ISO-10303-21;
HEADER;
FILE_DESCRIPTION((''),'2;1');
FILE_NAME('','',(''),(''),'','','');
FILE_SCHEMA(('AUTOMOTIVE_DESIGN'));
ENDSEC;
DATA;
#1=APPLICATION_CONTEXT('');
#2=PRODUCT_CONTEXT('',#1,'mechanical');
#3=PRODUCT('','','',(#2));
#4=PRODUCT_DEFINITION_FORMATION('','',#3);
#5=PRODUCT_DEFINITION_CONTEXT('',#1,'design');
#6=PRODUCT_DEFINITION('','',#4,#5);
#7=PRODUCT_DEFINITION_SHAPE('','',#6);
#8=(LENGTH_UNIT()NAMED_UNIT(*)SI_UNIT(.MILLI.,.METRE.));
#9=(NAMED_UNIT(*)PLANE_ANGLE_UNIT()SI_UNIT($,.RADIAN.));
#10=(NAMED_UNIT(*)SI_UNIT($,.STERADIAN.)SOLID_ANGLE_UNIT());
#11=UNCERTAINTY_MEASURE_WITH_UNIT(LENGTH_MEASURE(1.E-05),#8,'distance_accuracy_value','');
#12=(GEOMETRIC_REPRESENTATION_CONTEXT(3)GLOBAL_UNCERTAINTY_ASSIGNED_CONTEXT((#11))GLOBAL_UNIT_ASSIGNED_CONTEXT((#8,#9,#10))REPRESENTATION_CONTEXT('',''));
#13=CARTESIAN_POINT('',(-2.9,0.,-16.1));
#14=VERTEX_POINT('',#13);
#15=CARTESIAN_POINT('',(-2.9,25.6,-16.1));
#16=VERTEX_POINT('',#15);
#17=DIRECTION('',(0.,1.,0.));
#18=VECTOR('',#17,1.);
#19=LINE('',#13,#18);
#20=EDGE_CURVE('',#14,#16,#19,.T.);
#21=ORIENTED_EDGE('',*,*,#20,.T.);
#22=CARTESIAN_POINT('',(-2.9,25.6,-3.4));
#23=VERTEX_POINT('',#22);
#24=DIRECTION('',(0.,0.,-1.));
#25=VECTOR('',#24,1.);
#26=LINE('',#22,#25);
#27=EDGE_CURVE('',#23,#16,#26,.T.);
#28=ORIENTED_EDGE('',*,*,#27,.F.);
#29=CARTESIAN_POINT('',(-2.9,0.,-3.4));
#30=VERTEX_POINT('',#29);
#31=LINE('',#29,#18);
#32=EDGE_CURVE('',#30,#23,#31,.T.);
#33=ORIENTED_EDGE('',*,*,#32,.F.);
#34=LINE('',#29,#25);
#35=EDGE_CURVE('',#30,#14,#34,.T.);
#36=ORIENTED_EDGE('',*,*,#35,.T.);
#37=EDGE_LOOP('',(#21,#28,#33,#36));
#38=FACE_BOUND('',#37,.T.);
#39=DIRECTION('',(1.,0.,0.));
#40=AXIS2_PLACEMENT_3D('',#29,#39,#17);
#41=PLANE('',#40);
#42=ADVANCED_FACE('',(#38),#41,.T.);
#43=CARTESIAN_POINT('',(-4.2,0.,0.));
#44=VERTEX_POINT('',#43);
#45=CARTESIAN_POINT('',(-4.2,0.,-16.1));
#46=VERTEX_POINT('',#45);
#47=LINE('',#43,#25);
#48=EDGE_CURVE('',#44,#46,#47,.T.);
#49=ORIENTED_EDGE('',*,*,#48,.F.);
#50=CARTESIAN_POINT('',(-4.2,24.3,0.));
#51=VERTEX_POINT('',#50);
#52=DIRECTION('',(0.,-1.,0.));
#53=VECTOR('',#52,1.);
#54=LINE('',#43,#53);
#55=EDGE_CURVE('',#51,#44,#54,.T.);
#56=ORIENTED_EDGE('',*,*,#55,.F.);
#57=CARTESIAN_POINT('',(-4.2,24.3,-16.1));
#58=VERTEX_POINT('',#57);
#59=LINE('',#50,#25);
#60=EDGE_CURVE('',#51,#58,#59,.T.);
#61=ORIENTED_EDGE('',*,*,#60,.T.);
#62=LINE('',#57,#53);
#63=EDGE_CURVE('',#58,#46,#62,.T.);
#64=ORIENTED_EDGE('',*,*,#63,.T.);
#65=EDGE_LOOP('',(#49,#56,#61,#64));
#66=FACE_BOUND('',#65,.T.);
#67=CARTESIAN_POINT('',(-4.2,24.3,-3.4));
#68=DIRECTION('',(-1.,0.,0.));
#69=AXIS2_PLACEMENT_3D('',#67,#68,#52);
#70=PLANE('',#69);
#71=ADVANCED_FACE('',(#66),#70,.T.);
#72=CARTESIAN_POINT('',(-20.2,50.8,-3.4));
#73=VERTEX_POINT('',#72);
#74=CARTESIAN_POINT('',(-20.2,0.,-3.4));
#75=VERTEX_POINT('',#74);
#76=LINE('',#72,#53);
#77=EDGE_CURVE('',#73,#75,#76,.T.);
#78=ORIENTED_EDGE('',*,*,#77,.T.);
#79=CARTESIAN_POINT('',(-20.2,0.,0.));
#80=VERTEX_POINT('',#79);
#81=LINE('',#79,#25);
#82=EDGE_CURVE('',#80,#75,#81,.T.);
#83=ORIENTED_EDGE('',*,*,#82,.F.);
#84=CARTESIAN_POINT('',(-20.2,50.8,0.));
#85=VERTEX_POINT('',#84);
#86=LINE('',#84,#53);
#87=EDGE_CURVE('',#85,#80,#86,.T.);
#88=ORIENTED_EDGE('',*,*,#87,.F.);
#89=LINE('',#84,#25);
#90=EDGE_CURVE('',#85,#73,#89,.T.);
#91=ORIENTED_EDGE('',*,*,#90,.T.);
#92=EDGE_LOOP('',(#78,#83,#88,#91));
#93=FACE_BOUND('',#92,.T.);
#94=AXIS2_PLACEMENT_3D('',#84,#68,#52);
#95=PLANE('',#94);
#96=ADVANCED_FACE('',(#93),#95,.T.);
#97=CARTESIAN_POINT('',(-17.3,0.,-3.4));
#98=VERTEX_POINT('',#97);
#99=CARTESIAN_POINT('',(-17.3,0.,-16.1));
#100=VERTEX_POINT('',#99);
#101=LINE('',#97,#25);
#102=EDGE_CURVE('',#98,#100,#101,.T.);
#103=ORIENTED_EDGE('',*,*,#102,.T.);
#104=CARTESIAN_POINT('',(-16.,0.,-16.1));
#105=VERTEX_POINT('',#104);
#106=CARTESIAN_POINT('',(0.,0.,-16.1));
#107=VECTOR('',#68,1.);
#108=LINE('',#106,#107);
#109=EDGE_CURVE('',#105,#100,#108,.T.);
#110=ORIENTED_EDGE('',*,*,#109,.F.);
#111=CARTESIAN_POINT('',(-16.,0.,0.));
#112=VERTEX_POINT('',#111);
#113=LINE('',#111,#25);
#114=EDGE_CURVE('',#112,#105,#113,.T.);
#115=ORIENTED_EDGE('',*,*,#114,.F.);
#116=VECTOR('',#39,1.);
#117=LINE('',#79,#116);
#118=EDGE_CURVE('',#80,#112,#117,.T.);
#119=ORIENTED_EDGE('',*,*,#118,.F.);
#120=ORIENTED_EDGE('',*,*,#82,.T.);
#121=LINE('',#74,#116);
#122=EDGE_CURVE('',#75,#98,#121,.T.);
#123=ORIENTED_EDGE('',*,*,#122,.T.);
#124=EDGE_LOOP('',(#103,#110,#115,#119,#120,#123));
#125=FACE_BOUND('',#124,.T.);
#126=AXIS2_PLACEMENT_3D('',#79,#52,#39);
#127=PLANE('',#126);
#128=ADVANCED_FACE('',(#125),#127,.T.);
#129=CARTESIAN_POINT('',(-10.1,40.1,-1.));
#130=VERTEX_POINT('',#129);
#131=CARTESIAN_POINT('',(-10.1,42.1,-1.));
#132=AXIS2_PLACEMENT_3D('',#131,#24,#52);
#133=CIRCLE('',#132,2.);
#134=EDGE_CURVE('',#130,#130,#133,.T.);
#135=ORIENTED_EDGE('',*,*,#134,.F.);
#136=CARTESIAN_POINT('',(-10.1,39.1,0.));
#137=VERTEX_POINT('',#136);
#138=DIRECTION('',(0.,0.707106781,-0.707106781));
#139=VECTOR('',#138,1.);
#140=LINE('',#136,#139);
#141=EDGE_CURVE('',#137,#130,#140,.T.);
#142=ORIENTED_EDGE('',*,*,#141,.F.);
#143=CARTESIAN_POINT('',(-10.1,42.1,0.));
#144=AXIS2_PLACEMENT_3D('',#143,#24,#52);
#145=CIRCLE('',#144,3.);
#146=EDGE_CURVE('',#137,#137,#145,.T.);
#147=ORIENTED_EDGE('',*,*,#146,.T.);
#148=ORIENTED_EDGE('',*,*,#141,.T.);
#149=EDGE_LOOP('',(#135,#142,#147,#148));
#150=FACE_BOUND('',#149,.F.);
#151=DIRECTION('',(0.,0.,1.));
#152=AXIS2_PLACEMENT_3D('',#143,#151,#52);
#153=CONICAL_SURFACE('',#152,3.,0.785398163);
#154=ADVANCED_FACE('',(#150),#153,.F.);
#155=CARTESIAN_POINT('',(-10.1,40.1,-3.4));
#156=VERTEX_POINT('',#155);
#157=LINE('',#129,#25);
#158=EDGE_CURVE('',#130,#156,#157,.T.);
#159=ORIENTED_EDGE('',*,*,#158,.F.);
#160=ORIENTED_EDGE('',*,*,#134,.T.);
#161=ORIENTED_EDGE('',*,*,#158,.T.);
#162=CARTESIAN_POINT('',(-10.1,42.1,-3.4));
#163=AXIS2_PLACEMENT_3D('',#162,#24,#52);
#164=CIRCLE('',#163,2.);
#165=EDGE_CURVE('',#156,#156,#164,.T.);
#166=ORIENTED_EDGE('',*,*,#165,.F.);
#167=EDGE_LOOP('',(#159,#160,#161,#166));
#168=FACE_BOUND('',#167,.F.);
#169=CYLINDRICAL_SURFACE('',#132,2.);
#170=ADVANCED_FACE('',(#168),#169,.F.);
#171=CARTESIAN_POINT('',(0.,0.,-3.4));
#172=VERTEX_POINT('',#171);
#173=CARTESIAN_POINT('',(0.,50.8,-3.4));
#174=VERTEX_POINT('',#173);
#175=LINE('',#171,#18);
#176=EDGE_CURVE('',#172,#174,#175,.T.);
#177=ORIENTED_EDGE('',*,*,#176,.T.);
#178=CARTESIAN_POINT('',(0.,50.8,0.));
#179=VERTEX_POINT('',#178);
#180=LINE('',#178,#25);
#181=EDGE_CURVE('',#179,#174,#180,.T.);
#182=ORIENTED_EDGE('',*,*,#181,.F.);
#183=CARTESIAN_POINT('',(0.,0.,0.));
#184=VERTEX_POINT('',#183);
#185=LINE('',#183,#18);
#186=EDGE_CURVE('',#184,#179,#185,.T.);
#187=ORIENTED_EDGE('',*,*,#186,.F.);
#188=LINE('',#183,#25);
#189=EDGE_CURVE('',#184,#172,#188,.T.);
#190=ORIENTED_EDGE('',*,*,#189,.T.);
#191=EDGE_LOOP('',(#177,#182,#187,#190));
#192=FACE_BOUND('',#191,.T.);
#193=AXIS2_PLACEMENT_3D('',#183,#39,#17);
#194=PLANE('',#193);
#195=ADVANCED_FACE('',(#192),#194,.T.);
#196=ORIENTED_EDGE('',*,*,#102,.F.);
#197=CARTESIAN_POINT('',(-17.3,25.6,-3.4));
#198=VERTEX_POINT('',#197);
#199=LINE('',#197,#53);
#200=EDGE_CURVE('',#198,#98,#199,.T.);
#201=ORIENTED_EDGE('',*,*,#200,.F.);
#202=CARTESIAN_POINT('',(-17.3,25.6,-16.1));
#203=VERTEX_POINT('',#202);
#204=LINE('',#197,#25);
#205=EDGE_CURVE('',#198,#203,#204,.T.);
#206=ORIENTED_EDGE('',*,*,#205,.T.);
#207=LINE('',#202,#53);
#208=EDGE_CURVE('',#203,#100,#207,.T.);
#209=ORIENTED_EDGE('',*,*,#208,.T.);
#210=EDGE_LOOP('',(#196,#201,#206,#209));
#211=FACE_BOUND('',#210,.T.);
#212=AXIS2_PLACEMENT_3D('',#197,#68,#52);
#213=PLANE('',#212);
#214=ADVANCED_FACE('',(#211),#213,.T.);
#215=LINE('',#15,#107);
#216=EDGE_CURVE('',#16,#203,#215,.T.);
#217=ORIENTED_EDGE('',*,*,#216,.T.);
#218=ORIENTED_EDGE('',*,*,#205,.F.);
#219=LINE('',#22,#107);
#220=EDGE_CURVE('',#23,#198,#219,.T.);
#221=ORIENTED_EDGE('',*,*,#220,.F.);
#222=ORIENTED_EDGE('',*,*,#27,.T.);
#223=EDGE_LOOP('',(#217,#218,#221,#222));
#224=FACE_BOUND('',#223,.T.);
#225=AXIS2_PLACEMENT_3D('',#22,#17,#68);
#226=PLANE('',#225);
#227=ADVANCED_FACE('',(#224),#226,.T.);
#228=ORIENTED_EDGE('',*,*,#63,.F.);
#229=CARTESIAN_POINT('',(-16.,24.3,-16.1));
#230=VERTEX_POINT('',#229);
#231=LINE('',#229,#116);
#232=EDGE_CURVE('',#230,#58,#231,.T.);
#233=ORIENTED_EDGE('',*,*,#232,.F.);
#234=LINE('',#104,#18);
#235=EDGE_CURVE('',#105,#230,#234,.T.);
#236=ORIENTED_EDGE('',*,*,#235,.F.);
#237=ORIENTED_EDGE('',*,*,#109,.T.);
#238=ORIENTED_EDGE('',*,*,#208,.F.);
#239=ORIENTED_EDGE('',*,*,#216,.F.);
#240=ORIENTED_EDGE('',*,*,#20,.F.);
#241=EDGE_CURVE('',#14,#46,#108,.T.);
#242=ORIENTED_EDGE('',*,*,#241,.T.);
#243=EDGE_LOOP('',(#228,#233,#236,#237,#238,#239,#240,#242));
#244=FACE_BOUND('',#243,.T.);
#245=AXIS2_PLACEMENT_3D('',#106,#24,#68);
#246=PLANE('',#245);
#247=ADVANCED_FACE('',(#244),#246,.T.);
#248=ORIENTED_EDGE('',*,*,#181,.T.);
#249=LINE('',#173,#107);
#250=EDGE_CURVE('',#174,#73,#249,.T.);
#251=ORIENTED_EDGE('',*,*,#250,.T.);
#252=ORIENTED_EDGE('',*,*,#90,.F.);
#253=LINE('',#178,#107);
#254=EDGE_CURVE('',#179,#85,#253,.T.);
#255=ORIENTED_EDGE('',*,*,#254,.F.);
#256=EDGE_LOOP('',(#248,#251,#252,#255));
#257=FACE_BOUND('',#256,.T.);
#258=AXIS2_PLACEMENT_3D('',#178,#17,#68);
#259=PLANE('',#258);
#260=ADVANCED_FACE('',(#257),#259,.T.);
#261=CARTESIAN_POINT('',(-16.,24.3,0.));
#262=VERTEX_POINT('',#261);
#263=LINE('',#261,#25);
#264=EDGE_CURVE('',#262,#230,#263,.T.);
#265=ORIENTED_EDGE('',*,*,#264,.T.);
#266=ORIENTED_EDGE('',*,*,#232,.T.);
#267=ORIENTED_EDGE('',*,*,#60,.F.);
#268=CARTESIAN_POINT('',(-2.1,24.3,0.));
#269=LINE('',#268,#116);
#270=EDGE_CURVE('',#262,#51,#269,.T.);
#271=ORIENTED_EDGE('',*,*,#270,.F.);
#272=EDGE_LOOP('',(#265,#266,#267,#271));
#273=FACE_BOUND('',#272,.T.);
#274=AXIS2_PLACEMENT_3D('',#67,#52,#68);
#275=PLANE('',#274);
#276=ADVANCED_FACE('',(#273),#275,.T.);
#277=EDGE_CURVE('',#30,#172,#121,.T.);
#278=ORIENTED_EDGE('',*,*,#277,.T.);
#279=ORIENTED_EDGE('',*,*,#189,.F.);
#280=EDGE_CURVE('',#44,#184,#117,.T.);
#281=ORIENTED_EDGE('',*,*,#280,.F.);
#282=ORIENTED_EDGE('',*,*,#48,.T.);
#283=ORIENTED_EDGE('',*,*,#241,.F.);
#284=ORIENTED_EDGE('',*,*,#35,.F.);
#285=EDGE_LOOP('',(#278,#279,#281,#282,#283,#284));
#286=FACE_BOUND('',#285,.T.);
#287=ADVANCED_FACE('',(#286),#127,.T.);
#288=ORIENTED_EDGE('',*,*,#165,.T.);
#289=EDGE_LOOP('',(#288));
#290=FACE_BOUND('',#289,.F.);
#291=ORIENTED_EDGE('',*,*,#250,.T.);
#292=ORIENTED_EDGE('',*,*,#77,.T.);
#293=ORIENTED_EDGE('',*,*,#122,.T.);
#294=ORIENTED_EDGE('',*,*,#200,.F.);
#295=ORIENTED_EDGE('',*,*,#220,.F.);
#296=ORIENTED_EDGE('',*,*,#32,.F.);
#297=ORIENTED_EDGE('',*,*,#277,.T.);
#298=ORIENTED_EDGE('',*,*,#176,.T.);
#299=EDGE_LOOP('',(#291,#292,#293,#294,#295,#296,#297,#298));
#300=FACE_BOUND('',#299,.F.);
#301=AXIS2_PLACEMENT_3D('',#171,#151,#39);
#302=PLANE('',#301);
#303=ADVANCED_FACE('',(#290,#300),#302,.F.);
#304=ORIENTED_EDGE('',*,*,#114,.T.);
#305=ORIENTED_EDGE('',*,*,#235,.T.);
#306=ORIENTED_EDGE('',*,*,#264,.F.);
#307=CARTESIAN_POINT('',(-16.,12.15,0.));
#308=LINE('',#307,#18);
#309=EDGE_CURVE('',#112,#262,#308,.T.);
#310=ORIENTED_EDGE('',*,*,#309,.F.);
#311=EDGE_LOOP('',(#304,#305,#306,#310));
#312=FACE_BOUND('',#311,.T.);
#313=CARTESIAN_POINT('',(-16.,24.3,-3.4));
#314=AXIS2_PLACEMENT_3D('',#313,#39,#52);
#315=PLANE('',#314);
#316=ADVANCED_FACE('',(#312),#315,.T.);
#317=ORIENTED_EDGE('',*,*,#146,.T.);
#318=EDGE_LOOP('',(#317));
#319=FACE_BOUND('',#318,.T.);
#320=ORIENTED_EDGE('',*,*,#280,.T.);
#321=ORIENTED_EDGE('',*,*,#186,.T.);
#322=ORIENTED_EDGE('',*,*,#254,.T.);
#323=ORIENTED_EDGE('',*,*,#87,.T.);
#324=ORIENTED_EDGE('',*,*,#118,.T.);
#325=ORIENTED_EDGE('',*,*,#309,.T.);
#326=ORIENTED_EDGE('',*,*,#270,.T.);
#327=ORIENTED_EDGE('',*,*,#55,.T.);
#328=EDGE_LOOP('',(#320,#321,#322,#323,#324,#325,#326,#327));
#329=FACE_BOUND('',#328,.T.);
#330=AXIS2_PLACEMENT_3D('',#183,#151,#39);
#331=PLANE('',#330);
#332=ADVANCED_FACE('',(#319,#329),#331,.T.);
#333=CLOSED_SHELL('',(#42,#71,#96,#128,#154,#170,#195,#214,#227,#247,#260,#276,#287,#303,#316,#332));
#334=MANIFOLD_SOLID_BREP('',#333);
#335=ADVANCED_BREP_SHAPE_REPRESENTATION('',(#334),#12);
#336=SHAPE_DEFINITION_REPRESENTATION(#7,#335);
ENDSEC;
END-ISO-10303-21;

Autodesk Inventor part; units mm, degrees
ref_plane "YZ Plane" through (0, 0, 0) normal (1, 0, 0) x (0, 1, 0)
ref_plane "XZ Plane" through (0, 0, 0) normal (0, 1, 0) x (-1, 0, 0)
ref_plane "XY Plane" through (0, 0, 0) normal (0, 0, 1) x (1, 0, 0)
sketch "Boceto1" plane through (0, 0, 0) normal (0, 0, 1) x (1, 0, 0)
  line L0 (0, 50.8) -> (-20.2, 50.8)
  line L1 (-20.2, 50.8) -> (-20.2, 0)
  line L2 (-20.2, 0) -> (0, 0)
  line L3 (0, 0) -> (0, 50.8)
  dimension "d0" = 50.8
  dimension "d1" = 20.2
extrude "Extrusión1" add sketch "Boceto1" against normal blind 3.4
sketch "Boceto3" plane through (0, 0, 0) normal (0, 0, -1) x (-1, 0, 0)
  line L0 (20.2, 50.8) -> (0, 50.8) construction
  line L1 (0, 50.8) -> (0, 0) construction
  circle A0 centre (10.1, 42.1) radius 2
  line L2 (20.2, 0) -> (20.2, 50.8) projected
  dimension "d20" = 4
  dimension "d21" = 10.1
  dimension "d23" = 8.7
hole "Agujero3" at (-10.1, 42.1, 0) direction (0, 0, -1) diameter 4 end through all countersink diameter 6 countersink angle 90
sketch "Boceto6" plane through (0, 0, -3.4) normal (0, 0, -1) x (-1, 0, 0)
  line L0 (0, 0) -> (20.2, 0) projected
  line L1 (2.9, 0) -> (2.9, 25.6)
  line L2 (2.9, 25.6) -> (17.3, 25.6)
  line L3 (17.3, 25.6) -> (17.3, 0)
  line L4 (16, 0) -> (16, 24.3)
  line L5 (16, 24.3) -> (4.2, 24.3)
  line L6 (4.2, 24.3) -> (4.2, 0)
  line L7 (0, 50.8) -> (0, 0) projected
  line L8 (20.2, 0) -> (20.2, 50.8) projected
  circle A0 centre (10.1, 42.1) radius 2 projected
  point P0 (4.2, 0)
  point P1 (16, 0)
  dimension "d40" = 1.3
  dimension "d50" = 14.4
  dimension "d51" = 2.9
  dimension "d52" = 2.9
  dimension "d54" = 25.6
  dimension "d55" = 16.5
extrude "Extrusión3" add sketch "Boceto6" along normal blind 12.7 contours L1 L2 L3 L0 L4 L5 L6
sketch "Boceto7" plane through (0, 0, -3.4) normal (0, 0, -1) x (-1, 0, 0)
  line L0 (16, 24.3) -> (16, 0) projected
  line L1 (4.2, 24.3) -> (16, 24.3)
  line L2 (16, 24.3) -> (16, 0)
  line L3 (16, 0) -> (4.2, 0)
  line L4 (4.2, 0) -> (4.2, 24.3)
  point P0 (0, 0)
extrude "Extrusión4" cut sketch "Boceto7" against normal blind 10
properties part number "PLU-45 TAPÓN ENCUENTRO CORREDERA (2)" material "Plástico ABS"
